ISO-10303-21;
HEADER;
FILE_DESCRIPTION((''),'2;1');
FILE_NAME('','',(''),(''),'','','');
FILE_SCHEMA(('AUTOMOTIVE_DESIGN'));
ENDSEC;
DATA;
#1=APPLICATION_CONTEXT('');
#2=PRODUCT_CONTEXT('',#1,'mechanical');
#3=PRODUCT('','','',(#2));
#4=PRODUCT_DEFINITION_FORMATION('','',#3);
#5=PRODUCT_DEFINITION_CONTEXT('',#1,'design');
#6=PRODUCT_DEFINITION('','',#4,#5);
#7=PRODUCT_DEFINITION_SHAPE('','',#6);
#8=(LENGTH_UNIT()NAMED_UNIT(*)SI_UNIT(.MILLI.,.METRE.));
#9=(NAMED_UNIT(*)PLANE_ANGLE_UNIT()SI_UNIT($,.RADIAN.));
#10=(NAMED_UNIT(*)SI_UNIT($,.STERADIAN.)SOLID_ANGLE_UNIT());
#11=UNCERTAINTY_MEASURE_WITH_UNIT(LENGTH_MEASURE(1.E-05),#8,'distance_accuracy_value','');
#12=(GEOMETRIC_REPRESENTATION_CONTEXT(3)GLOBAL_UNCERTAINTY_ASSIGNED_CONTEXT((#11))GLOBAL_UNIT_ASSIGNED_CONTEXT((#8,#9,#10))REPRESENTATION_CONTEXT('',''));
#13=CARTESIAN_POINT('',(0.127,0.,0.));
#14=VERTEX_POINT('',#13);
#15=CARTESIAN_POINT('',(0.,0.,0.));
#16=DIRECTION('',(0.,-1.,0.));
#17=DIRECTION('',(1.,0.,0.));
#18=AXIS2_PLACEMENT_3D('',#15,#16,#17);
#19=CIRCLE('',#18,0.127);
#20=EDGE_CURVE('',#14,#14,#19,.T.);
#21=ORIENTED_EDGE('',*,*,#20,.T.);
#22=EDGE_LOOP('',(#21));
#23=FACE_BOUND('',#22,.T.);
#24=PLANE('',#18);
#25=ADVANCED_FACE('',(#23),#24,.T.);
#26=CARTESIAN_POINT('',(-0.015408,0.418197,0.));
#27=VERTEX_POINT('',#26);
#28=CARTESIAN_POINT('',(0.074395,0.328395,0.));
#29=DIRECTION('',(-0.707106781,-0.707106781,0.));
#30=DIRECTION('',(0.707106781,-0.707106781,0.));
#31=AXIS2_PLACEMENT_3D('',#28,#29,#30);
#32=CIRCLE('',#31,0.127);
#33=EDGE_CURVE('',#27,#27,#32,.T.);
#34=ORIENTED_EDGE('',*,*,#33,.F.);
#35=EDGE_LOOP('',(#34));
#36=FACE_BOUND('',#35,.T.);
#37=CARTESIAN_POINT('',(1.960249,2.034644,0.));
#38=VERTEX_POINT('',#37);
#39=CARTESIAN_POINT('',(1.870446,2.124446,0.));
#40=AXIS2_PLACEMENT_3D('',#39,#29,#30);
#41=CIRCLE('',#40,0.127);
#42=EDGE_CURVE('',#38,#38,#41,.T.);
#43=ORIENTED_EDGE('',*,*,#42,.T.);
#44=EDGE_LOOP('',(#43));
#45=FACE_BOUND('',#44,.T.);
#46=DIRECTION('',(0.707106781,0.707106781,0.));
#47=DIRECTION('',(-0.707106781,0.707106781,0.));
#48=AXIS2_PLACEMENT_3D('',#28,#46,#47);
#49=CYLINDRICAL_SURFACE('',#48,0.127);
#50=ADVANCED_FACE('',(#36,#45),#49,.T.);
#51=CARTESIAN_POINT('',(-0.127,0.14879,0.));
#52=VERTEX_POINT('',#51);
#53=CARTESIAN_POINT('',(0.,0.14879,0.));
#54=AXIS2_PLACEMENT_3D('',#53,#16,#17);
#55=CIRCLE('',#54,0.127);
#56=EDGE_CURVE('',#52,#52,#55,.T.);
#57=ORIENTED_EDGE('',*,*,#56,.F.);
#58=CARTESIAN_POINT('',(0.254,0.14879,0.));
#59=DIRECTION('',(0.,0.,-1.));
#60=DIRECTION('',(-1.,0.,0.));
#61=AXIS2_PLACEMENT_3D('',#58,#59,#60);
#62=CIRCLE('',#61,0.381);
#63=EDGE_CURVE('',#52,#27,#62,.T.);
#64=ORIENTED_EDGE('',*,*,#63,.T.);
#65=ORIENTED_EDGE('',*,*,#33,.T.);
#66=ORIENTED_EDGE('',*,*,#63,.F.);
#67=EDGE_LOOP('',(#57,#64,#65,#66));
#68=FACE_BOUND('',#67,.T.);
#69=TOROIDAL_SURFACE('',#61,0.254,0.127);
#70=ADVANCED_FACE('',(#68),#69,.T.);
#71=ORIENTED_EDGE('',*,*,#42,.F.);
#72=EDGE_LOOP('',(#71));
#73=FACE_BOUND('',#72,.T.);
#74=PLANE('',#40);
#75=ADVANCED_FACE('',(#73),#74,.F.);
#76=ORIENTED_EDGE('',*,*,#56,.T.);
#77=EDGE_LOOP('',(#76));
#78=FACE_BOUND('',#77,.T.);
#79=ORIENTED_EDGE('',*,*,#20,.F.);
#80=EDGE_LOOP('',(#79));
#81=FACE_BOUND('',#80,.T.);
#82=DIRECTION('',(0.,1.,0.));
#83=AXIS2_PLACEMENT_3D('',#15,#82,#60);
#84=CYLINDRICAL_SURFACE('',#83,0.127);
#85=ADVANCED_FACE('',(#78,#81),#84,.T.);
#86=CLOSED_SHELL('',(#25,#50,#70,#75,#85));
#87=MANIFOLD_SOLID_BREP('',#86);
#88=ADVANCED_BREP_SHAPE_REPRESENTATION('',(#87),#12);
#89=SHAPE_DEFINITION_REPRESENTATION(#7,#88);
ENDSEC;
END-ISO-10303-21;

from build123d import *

# Parameters (mm, degrees)
SWEEP1_PROFILE_R = 0.127


with BuildPart() as part:
    # Sweep1: sweep along a path in Sketch2
    with BuildLine(Plane.XY) as sweep1_path:
        Line((0, 0), (0, 0.148789755))
        ThreePointArc((0, 0.148789755), (0.019334599, 0.245991347), (0.074394878, 0.328394878))
        Line((0.074394878, 0.328394878), (1.870446102, 2.124446102))
    # Sweep1 profile (on start of the path) → Sweep1 (sweep)
    with BuildSketch(Plane(origin=(0, 0, 0), x_dir=(1, 0, 0), z_dir=(0, 1, 0))):
        Circle(SWEEP1_PROFILE_R)
    sweep(path=sweep1_path.line)


solid = part.part
